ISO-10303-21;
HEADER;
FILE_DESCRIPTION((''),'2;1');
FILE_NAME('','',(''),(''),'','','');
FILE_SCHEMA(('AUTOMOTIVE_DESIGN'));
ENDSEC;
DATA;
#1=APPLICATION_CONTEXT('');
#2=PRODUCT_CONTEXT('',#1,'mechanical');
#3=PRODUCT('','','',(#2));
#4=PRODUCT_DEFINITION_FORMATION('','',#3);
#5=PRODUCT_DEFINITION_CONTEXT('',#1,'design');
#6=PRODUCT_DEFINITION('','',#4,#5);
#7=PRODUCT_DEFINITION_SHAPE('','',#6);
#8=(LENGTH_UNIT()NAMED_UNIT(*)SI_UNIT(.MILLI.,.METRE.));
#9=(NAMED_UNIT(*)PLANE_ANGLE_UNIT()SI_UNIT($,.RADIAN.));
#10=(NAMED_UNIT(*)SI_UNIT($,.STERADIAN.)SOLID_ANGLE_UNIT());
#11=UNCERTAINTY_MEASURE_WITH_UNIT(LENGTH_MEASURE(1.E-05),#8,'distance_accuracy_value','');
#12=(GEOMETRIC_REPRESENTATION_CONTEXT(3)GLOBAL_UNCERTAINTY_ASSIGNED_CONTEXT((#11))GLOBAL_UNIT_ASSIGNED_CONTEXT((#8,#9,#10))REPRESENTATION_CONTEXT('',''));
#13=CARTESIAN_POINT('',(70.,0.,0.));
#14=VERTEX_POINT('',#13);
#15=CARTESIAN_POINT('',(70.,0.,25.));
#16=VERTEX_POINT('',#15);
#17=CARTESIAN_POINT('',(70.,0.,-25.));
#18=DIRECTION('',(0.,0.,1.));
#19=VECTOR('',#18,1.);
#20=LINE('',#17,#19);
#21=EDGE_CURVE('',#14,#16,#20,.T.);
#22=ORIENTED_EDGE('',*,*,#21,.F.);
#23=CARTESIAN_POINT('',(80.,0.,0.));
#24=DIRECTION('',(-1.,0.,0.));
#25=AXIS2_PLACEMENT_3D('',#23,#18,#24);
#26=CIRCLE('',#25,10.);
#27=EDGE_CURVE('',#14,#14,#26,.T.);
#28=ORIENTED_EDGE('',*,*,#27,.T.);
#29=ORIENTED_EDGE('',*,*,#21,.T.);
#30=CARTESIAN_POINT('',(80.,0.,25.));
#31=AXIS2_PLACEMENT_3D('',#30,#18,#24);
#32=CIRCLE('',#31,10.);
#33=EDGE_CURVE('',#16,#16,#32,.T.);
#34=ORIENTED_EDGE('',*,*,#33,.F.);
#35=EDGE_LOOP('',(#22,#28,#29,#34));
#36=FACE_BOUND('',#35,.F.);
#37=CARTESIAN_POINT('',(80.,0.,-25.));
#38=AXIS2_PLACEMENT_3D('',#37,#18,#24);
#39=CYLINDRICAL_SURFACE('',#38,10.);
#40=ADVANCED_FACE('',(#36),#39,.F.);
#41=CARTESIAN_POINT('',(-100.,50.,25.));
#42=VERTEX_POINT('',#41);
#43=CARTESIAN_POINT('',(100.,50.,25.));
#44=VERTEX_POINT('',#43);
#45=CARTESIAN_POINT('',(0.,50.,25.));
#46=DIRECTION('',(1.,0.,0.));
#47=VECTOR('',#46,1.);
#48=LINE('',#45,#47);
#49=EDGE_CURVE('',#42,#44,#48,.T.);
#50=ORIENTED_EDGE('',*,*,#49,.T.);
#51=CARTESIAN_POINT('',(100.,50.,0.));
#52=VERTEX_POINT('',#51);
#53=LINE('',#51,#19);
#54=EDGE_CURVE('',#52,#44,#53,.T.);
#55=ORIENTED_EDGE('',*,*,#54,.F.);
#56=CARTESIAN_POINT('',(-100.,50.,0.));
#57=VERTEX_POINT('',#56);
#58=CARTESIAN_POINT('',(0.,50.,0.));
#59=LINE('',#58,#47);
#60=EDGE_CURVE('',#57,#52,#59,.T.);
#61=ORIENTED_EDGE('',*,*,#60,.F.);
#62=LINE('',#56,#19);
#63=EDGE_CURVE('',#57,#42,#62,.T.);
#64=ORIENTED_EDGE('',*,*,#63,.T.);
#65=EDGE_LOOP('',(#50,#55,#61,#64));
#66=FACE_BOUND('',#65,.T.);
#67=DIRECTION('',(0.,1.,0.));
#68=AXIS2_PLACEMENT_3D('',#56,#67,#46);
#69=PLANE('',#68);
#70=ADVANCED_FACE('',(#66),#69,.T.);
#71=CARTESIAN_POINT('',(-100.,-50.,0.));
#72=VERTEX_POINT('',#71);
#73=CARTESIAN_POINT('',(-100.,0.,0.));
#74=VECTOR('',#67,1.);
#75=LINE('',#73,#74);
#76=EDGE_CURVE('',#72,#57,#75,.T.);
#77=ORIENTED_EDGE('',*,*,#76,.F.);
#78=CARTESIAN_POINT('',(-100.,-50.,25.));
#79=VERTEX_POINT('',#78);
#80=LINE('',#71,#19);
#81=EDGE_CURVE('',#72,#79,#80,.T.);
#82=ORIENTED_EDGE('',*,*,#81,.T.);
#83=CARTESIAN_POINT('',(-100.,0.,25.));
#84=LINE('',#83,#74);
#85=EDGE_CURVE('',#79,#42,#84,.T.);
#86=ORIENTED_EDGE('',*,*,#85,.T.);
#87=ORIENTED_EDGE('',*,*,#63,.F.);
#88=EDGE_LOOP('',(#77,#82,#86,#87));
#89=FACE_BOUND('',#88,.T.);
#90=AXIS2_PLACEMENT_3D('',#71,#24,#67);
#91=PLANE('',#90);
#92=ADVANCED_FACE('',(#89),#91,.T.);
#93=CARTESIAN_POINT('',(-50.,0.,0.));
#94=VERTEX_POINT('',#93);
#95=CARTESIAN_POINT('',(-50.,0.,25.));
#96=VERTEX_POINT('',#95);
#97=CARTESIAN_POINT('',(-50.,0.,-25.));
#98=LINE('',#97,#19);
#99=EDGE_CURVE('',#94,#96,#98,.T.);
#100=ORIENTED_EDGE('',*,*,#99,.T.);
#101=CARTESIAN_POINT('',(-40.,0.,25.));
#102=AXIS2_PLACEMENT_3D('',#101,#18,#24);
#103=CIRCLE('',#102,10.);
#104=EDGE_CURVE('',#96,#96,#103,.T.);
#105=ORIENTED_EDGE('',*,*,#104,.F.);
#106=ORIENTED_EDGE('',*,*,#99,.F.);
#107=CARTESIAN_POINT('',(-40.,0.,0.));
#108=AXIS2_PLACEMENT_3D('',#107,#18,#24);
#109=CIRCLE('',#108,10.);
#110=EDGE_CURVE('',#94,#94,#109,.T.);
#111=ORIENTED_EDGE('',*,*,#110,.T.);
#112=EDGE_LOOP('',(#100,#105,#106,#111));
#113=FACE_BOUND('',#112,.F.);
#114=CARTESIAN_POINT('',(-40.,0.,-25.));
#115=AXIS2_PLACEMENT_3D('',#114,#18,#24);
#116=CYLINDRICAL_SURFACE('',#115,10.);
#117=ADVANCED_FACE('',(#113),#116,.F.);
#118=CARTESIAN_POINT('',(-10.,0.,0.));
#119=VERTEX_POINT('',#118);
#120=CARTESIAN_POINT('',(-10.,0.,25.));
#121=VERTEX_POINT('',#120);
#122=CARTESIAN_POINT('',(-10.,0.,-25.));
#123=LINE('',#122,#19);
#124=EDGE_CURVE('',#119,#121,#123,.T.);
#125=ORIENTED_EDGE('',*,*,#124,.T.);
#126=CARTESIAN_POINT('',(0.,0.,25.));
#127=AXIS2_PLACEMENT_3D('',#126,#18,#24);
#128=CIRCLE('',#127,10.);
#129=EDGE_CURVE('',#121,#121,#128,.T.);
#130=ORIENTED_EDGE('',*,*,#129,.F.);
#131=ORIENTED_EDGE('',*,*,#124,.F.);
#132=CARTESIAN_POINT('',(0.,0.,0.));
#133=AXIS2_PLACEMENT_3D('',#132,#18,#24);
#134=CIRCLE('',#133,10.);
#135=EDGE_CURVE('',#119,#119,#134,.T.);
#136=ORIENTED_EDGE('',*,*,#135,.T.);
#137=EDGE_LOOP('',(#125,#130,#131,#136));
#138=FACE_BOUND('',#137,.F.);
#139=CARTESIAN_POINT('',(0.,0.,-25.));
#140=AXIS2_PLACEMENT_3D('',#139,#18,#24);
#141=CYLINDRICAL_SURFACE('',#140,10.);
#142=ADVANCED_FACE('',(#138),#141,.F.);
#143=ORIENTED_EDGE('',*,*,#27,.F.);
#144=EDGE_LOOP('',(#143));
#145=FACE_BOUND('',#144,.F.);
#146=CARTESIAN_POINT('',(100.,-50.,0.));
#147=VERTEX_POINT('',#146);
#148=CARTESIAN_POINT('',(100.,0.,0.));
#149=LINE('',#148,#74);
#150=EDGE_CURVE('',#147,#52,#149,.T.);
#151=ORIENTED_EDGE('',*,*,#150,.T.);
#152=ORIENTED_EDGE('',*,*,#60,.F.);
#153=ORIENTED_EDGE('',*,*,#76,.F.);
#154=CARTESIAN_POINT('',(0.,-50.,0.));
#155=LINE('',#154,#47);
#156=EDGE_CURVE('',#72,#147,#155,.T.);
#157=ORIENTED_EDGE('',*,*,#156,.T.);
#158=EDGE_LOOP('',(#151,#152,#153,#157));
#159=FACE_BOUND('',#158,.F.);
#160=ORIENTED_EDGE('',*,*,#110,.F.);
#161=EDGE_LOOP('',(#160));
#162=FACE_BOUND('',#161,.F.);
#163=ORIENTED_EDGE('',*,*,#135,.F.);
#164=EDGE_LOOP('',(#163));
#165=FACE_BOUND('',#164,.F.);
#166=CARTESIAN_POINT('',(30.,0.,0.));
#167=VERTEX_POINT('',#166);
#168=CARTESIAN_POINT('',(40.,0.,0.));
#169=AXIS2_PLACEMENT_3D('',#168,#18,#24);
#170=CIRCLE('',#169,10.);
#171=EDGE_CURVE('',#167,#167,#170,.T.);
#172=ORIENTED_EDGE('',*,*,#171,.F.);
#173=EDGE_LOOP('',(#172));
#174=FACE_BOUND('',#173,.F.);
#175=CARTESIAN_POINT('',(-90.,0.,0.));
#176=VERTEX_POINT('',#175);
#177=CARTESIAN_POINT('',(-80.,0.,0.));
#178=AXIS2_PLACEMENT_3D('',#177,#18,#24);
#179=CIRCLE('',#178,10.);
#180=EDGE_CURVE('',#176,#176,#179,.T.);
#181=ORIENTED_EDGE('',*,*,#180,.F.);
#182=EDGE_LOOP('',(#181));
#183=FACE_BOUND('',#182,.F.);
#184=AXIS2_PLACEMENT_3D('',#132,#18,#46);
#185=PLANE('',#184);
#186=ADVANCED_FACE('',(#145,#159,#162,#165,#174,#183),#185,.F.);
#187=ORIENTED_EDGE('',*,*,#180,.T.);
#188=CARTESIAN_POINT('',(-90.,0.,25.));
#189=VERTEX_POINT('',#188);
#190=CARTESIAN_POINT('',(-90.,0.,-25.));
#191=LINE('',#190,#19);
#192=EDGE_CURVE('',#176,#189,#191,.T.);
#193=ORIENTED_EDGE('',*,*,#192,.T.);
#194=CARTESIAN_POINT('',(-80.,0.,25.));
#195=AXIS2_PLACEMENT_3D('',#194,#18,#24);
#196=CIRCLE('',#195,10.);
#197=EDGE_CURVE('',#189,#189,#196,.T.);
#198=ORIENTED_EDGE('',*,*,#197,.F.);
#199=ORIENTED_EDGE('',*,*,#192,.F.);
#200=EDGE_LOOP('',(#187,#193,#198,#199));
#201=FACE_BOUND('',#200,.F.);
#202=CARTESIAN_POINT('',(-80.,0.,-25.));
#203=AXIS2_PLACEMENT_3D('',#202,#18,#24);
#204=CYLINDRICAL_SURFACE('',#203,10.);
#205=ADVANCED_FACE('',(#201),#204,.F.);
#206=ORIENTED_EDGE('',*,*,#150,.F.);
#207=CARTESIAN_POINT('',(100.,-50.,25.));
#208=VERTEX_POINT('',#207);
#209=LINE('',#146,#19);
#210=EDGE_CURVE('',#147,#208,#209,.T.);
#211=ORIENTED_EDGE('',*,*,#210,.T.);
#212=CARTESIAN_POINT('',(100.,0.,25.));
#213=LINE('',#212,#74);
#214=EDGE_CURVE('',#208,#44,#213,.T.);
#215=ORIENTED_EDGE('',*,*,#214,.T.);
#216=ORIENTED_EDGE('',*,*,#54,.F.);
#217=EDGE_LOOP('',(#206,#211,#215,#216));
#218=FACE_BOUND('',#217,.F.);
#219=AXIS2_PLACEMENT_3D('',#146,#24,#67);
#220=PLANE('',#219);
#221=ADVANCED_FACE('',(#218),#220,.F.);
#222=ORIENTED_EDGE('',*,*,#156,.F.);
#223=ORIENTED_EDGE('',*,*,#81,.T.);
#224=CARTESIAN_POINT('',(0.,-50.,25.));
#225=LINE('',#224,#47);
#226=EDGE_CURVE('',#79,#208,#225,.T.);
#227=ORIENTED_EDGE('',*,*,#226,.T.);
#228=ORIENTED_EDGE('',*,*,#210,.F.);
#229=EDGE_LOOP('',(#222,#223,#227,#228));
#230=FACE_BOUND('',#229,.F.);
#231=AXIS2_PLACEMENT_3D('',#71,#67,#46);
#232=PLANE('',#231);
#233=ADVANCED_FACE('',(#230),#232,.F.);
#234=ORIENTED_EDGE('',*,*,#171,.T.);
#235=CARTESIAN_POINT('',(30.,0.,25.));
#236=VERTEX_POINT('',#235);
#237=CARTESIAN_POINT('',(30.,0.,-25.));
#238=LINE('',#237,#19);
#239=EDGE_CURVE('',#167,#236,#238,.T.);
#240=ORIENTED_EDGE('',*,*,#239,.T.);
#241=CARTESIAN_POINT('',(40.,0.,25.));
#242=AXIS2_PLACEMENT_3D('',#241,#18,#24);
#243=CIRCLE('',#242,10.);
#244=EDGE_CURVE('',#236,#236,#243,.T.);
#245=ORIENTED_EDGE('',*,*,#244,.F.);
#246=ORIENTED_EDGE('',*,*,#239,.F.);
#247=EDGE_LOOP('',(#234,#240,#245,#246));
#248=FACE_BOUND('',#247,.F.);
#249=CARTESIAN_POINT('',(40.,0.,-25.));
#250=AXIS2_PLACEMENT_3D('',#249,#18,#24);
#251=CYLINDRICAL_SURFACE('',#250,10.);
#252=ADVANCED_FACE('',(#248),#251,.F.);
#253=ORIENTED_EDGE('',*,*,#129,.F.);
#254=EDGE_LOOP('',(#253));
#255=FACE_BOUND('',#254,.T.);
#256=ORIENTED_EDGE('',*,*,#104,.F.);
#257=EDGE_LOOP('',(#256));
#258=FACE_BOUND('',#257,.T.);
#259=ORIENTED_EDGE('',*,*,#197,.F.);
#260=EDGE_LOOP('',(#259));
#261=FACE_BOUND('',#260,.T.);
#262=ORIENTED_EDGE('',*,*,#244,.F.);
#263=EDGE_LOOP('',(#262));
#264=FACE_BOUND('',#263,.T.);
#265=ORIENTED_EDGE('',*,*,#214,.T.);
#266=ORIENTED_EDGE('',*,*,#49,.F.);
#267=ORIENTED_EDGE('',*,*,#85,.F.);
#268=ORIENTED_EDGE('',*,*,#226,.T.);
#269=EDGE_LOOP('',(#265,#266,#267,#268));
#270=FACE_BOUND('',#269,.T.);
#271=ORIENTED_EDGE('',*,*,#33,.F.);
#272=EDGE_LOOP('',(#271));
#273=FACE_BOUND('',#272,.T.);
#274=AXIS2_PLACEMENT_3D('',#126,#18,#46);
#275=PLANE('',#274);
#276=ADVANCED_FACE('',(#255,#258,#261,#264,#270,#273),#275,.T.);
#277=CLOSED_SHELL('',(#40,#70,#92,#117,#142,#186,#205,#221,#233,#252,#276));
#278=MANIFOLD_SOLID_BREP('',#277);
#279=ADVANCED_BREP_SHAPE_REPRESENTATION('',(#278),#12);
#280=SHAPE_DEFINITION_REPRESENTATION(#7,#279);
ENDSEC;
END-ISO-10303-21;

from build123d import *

# Parameters (mm, degrees)
F0_W     = 200
F0_H     = 100
F1_DEPTH = 25
F2_D     = 20
F2_DEPTH = 25


with BuildPart() as f1:
    # F0 (on Top) → F1 (new body)
    with BuildSketch(Plane.XY):
        Rectangle(F0_W, F0_H)
    extrude(amount=F1_DEPTH)

    # F2
    with Locations(Plane(origin=(0, 0, 0), x_dir=(1, 0, 0), z_dir=(0, 0, -1))):
        with Locations((-80, 0), (-40, 0), (0, 0), (40, 0), (80, 0)):
            Hole(F2_D / 2, depth=F2_DEPTH)


solid = f1.part
